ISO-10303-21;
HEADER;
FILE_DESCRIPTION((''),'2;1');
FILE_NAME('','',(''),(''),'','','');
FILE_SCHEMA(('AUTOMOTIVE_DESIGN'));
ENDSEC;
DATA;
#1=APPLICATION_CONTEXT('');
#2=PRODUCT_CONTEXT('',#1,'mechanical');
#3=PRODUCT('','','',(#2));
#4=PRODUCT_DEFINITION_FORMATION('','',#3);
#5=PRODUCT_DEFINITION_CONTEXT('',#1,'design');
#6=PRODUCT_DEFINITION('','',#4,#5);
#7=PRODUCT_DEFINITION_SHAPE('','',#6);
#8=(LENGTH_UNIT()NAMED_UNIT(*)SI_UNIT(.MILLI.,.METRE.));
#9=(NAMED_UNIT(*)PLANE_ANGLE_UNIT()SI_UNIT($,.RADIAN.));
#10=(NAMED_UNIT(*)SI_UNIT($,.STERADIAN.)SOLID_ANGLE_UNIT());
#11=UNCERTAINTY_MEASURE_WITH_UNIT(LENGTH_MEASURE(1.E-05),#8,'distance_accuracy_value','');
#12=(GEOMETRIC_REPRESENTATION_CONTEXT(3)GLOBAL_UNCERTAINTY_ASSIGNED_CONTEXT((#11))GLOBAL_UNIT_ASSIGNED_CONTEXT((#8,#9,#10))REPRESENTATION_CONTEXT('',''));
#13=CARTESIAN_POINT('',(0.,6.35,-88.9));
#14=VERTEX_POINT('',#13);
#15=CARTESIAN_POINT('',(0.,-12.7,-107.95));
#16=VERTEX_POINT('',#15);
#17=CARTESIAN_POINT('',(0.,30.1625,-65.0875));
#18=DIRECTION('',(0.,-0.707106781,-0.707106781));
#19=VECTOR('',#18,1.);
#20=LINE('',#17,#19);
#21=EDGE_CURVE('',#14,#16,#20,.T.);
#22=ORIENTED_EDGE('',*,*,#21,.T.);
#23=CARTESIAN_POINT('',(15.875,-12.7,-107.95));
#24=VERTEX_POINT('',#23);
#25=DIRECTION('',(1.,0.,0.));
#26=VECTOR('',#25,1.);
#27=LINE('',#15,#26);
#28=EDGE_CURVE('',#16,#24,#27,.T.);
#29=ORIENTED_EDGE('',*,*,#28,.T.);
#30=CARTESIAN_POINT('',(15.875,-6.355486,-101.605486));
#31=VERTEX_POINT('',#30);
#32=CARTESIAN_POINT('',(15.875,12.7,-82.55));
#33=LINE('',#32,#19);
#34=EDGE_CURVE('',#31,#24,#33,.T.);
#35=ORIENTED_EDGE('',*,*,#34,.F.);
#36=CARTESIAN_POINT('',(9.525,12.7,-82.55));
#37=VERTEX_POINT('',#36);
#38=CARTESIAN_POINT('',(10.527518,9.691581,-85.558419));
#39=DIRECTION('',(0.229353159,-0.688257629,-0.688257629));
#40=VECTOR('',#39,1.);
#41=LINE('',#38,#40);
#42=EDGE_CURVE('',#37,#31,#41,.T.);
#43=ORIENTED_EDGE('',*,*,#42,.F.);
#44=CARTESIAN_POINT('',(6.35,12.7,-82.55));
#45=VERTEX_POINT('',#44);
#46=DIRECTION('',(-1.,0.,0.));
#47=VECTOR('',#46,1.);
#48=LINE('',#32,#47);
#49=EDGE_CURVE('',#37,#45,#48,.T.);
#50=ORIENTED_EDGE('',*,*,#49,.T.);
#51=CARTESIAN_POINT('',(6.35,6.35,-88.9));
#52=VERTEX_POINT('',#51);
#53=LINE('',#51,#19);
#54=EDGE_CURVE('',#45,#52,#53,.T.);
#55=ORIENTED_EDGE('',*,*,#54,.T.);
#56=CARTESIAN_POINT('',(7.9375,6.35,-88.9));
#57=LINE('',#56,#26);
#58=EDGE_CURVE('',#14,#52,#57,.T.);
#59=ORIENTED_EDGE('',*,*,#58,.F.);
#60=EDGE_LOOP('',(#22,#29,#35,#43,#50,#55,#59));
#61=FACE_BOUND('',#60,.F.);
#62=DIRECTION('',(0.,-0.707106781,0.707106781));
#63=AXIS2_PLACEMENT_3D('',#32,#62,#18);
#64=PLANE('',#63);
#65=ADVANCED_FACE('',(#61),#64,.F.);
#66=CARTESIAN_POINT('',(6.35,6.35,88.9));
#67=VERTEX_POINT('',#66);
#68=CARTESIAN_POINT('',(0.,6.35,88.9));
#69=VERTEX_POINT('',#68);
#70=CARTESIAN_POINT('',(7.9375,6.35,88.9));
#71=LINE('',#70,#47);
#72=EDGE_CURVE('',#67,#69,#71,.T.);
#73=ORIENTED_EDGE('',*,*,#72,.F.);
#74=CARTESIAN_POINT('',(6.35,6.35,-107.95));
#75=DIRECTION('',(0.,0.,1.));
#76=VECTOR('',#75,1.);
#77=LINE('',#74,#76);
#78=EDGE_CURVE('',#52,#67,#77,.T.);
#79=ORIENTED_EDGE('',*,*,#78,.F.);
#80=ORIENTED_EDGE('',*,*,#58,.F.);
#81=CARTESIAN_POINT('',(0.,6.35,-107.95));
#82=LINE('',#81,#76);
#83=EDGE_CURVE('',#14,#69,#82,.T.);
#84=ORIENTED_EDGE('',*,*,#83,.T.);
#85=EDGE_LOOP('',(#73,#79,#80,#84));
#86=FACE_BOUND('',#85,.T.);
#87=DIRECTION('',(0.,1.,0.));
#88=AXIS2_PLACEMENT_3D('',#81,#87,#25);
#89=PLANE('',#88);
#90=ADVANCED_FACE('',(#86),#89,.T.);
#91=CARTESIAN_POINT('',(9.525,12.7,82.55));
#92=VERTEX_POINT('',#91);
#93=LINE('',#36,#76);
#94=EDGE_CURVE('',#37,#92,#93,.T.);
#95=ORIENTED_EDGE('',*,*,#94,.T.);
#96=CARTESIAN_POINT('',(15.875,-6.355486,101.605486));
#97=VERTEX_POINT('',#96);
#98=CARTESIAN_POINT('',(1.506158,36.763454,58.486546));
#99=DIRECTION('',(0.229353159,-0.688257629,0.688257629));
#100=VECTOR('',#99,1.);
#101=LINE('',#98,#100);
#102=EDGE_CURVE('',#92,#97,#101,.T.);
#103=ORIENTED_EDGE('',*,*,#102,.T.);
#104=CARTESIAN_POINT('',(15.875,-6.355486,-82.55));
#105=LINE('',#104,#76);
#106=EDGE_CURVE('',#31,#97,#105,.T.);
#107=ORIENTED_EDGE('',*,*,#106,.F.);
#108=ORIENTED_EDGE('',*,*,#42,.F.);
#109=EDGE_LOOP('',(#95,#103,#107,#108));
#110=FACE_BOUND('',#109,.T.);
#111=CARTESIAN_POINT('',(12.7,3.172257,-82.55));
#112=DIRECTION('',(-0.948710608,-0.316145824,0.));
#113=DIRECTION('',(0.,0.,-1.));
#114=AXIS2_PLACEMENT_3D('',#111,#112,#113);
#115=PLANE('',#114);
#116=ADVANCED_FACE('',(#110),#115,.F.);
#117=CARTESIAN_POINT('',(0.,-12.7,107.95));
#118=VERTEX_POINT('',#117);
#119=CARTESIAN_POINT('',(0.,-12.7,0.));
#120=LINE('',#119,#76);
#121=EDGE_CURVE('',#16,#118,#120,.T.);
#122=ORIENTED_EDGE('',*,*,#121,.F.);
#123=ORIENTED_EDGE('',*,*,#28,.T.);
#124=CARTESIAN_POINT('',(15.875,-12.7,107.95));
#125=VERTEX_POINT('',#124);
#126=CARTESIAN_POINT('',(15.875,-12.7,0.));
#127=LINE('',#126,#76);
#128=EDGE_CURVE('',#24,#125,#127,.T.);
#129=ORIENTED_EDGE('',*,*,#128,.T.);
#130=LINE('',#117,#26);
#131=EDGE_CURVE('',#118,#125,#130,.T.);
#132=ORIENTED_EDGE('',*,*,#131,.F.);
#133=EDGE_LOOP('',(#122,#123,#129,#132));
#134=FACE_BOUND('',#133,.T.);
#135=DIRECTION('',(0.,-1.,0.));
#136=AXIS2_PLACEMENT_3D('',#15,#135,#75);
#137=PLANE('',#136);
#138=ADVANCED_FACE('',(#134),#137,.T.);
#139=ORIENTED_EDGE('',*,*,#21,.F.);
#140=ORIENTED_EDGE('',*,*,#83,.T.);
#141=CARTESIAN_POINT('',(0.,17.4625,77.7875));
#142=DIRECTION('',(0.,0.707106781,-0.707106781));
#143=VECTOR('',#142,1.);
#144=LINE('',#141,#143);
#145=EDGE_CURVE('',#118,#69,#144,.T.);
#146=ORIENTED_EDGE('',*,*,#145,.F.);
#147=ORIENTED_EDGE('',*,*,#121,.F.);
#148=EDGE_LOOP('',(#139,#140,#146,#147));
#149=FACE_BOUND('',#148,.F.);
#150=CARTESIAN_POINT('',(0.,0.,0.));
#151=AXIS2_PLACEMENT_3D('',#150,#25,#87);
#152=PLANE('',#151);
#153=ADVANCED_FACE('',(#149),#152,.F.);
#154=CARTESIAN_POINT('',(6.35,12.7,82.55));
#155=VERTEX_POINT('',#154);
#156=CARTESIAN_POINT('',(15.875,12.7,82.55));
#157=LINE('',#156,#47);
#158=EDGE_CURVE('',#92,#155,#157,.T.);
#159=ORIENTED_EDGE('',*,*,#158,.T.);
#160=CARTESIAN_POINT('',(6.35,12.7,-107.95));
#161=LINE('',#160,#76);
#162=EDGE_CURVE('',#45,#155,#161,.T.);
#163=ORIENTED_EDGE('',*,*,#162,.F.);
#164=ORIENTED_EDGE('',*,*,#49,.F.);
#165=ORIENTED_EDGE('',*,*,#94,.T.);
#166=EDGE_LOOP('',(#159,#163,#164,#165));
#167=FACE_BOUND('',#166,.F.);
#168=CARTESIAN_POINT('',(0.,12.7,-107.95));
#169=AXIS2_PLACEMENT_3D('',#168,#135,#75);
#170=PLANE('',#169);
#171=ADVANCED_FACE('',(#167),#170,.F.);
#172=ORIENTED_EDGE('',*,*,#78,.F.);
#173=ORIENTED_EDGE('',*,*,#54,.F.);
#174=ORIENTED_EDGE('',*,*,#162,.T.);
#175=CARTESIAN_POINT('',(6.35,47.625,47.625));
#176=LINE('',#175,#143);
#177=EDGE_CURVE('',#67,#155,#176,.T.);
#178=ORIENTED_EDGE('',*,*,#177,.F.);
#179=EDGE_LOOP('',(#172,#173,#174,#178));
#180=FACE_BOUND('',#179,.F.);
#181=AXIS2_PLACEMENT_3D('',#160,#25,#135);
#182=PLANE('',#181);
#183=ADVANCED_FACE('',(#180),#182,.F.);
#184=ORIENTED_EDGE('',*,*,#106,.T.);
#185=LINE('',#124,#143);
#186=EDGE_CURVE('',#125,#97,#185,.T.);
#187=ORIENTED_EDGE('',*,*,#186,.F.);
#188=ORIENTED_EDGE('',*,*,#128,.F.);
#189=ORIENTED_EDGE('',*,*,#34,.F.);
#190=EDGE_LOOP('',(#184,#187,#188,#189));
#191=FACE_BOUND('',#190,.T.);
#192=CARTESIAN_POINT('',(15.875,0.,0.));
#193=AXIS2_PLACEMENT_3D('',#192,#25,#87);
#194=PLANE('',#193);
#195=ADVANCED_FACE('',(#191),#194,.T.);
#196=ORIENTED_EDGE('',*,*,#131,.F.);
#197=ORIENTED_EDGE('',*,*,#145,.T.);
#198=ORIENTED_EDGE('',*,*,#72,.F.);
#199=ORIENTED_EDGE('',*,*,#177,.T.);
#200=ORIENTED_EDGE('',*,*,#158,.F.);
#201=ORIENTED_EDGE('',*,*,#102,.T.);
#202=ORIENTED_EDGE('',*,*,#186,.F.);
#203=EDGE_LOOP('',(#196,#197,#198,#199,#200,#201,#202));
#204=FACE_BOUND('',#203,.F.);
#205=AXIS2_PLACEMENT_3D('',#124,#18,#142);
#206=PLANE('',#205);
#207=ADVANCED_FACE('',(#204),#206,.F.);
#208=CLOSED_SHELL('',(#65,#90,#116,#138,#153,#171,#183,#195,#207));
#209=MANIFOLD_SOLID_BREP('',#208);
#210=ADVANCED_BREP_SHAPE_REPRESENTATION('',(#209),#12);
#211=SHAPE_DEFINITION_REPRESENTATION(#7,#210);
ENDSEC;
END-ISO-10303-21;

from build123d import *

# Parameters (mm, degrees)
F0_W     = 25.4
F0_H     = 215.9
F1_DEPTH = 15.875
F3_W     = 6.35
F3_H     = 6.35
F4_DEPTH = 215.901
F5_DEPTH = 15.876
F6_SIZE2 = 19.0554861232
F6_SIZE  = 6.35


with BuildPart() as f1:
    # F0 (on Right) → F1 (new body)
    with BuildSketch(Plane.YZ):
        Rectangle(F0_W, F0_H)
    extrude(amount=F1_DEPTH)

    # F3 (on face) → F4 (cut, through all)
    with BuildSketch(Plane(origin=(0, 0, -107.95), x_dir=(1, 0, 0), z_dir=(0, 0, -1))):
        with Locations((3.175, -9.525)):
            Rectangle(F3_W, F3_H)
    extrude(amount=-F4_DEPTH, mode=Mode.SUBTRACT)

    # F2 (on face) → F5 (cut, through all)
    with BuildSketch(Plane.YZ.offset(15.875)):
        Polygon((12.7, 107.95), (-12.7, 107.95), (12.7, 82.55), align=None)
        Polygon((12.7, -82.55), (-12.7, -107.95), (12.7, -107.95), align=None)
    extrude(amount=-F5_DEPTH, mode=Mode.SUBTRACT)

    # F6
    f6_edges = [f1.edges().sort_by_distance(p)[0] for p in [
        (15.875, 12.7, 0),
    ]]
    f6_side = f1.faces().sort_by_distance((11.1125, 12.7, 0))[0]
    chamfer(f6_edges, length=F6_SIZE, length2=F6_SIZE2, reference=f6_side)


solid = f1.part
